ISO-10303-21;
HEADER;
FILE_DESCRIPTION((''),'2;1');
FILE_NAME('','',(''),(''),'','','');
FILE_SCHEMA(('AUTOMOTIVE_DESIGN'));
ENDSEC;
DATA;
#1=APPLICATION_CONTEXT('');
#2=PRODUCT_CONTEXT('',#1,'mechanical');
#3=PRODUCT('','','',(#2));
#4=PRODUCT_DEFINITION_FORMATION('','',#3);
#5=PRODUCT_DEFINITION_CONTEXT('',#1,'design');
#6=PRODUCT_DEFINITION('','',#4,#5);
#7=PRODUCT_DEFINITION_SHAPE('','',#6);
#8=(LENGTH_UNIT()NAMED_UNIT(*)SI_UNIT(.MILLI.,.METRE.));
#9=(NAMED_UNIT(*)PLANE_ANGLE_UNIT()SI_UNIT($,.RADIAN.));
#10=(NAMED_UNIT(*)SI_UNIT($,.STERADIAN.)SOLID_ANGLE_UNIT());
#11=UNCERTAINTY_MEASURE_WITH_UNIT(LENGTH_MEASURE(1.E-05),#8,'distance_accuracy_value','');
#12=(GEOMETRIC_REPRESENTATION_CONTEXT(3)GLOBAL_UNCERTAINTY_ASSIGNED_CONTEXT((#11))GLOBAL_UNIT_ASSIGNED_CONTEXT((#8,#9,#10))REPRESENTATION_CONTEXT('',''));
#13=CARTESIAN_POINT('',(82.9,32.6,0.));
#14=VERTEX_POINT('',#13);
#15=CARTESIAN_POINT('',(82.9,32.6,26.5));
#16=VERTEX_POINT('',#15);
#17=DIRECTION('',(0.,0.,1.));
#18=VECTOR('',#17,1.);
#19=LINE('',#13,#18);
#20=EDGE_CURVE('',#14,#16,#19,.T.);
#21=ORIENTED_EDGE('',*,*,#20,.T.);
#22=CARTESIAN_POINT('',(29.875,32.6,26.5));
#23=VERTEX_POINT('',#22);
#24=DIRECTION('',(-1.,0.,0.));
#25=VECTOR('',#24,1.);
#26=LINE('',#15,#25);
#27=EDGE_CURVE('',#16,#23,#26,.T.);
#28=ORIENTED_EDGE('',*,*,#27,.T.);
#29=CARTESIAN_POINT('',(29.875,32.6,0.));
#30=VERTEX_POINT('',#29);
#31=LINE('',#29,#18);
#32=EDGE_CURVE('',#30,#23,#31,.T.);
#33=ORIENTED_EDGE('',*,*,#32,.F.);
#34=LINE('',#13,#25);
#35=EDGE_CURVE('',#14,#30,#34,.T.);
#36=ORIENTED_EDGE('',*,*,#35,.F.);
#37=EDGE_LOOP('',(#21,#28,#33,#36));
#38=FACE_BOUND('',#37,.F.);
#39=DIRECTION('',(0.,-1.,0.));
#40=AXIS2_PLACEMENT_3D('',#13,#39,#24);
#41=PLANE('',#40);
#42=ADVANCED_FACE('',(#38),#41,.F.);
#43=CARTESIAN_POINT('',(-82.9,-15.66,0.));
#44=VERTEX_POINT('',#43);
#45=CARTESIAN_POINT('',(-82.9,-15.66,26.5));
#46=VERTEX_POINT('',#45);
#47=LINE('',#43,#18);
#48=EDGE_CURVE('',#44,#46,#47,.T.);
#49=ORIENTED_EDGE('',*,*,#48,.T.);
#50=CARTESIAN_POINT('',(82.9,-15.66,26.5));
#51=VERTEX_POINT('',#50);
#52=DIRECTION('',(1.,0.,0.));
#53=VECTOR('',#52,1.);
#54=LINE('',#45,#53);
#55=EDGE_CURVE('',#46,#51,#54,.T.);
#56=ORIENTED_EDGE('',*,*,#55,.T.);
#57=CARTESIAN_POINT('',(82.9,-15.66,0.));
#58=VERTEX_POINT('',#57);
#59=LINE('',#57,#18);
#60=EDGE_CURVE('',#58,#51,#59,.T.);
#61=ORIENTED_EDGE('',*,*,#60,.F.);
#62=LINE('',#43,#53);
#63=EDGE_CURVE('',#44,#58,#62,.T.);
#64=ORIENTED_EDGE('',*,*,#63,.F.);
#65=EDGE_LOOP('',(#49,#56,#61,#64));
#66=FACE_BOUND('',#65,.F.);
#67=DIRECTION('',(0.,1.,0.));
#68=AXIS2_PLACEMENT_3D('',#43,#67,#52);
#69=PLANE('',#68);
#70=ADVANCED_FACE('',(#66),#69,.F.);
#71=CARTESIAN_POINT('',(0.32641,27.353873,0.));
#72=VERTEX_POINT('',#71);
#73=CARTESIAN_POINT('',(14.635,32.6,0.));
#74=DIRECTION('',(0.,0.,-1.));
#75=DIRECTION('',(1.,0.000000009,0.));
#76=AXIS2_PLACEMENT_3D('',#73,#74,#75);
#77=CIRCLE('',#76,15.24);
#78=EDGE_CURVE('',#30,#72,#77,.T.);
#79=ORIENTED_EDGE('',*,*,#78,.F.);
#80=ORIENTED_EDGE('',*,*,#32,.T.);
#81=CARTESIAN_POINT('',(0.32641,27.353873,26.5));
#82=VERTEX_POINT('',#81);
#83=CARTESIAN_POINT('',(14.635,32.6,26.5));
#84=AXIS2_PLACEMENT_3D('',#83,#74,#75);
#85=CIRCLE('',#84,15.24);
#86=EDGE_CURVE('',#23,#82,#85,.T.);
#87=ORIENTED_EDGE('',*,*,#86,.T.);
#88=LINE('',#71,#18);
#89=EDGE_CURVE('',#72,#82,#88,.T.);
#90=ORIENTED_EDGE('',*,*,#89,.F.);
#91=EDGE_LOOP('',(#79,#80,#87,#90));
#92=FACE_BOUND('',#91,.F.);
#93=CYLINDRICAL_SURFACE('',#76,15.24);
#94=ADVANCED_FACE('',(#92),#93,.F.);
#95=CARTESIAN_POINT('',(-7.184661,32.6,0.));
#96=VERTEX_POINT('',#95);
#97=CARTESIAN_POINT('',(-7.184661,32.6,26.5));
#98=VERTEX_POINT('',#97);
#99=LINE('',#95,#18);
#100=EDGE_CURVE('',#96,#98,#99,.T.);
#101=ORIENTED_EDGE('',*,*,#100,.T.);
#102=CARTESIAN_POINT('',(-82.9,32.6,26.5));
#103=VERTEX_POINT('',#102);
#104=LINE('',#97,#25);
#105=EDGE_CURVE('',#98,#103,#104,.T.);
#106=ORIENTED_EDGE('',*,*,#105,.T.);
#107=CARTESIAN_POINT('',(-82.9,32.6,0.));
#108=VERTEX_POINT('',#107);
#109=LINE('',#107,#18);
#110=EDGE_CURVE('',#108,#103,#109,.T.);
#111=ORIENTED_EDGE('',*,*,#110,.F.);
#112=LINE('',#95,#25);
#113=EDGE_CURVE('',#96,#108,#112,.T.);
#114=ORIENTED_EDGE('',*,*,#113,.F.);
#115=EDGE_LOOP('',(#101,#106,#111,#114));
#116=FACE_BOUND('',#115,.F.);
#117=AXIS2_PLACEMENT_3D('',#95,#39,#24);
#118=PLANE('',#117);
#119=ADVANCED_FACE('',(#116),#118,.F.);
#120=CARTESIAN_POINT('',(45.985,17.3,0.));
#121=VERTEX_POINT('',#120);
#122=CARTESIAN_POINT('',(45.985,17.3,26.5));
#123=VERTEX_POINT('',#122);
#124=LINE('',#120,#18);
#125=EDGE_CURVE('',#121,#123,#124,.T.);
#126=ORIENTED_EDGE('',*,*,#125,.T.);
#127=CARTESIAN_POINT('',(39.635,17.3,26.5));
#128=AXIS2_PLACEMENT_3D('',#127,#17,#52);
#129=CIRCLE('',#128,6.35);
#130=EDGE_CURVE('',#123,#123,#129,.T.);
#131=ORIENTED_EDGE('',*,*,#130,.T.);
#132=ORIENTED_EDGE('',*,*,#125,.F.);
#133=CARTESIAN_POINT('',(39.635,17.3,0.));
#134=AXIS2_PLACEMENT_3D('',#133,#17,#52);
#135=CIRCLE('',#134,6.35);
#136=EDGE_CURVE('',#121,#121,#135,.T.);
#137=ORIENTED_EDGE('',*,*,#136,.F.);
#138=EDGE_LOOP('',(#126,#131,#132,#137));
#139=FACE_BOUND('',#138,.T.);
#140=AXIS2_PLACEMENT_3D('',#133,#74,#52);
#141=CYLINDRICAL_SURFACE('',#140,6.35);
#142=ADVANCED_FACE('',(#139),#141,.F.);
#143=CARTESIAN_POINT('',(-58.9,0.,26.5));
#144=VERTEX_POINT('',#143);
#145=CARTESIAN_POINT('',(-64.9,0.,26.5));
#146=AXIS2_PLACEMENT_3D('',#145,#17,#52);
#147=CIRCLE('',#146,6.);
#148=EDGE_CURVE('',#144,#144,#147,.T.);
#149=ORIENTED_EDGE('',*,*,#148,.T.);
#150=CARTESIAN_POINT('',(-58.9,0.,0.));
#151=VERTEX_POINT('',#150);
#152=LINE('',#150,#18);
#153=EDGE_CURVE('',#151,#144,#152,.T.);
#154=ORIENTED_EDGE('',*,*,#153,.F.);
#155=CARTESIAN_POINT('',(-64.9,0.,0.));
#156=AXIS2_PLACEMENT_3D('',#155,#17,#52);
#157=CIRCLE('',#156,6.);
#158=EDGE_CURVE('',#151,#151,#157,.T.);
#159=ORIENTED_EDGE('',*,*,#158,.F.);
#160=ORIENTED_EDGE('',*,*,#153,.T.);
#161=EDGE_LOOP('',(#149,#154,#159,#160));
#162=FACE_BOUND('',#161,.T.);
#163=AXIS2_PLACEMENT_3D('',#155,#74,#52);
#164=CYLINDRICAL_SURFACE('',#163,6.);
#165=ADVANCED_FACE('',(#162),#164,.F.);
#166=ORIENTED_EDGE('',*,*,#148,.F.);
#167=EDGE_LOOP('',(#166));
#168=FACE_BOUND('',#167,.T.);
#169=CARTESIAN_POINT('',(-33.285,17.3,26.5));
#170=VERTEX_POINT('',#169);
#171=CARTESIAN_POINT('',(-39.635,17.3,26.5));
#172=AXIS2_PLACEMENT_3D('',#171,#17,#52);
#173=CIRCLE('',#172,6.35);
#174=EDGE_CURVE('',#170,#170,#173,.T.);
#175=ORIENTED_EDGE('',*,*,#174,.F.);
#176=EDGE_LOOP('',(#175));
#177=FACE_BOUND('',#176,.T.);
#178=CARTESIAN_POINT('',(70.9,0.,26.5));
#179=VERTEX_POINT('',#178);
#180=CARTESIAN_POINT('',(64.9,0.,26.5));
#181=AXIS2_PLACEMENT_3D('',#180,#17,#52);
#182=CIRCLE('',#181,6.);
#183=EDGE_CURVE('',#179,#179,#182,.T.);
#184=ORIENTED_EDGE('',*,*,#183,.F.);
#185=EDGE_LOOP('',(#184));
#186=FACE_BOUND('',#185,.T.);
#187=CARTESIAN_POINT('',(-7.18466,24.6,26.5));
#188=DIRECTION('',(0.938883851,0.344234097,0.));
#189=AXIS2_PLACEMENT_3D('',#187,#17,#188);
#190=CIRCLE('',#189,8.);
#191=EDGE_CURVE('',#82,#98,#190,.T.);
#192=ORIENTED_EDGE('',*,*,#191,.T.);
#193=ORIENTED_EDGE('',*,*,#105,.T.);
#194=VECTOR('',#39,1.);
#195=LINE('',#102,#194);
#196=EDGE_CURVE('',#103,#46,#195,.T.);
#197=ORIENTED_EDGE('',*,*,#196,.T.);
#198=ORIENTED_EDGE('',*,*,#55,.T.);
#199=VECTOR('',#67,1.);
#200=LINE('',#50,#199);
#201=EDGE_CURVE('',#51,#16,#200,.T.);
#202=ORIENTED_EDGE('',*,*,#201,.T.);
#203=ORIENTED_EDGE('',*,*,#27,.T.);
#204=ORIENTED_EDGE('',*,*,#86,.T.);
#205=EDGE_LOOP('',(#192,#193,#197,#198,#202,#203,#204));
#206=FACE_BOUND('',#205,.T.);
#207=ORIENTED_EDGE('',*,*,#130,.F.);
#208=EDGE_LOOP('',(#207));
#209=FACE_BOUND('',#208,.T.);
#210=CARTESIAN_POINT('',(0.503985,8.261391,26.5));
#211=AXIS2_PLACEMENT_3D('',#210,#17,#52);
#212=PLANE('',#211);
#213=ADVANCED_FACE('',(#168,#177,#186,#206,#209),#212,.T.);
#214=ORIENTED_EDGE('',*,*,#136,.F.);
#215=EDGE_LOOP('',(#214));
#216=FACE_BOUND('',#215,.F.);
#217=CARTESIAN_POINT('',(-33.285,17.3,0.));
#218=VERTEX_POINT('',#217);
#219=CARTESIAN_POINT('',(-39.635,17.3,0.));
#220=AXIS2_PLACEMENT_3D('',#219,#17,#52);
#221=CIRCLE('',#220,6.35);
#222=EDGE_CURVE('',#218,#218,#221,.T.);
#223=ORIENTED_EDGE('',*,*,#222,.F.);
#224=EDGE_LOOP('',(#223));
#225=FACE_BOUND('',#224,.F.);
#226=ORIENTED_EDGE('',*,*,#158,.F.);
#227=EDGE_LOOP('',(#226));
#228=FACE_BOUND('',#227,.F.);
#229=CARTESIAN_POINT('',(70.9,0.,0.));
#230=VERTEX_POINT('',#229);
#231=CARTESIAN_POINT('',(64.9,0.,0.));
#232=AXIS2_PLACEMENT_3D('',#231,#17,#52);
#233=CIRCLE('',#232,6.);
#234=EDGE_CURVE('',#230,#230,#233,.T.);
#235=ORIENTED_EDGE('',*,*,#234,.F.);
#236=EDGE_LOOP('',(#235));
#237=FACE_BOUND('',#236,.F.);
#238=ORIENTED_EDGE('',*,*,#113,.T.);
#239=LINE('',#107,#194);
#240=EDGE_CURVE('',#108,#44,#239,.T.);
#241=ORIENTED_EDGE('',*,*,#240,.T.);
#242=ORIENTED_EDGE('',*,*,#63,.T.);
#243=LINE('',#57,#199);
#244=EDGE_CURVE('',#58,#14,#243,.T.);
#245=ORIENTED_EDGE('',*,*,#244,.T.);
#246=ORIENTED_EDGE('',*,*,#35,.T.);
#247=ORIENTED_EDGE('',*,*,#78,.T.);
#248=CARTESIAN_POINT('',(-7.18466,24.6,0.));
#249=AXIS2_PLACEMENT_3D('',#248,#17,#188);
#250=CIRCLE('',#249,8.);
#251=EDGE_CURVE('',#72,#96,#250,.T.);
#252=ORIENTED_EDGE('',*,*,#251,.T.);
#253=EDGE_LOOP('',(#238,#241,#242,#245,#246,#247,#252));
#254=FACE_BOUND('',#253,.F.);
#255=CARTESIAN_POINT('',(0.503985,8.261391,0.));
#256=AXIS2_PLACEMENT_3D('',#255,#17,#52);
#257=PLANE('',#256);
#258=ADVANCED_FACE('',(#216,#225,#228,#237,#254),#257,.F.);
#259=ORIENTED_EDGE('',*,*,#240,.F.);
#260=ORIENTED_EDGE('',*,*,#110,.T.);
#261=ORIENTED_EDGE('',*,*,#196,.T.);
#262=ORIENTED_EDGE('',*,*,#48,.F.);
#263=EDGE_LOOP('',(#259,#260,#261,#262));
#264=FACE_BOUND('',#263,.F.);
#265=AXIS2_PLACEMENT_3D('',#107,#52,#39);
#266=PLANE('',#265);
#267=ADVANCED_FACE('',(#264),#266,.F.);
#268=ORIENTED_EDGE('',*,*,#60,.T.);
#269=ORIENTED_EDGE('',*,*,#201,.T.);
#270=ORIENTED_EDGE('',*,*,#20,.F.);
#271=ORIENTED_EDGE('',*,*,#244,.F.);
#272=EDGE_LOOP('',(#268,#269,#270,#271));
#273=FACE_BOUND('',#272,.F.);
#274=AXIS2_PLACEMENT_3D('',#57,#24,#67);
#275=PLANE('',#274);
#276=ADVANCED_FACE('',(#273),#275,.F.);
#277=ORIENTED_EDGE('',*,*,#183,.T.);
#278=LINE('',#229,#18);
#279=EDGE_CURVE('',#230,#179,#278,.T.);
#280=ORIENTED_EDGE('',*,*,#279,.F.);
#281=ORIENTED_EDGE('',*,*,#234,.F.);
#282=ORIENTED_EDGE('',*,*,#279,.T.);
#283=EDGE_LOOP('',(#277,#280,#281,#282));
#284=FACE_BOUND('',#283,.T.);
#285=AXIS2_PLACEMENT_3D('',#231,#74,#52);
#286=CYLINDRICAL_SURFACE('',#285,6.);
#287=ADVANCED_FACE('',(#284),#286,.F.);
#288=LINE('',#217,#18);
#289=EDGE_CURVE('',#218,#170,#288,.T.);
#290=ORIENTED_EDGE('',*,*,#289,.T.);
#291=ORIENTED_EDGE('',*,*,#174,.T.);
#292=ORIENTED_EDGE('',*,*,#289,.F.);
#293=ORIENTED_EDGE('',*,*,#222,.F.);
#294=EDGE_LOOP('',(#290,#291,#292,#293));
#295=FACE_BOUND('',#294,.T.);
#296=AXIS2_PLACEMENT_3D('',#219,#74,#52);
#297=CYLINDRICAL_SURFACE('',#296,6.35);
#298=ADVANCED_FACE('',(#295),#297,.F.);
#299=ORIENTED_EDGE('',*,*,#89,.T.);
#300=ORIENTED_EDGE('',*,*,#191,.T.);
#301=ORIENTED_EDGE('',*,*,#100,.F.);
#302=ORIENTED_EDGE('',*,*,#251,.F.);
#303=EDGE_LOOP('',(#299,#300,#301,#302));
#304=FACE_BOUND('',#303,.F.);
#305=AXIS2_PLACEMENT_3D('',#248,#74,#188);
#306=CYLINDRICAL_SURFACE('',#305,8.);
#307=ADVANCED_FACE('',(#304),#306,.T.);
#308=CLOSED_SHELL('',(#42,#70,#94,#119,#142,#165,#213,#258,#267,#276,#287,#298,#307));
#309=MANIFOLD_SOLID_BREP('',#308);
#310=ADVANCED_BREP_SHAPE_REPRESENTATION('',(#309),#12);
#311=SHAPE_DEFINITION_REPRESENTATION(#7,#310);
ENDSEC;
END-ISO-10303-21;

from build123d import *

# Parameters (mm, degrees)
F0_R     = 6
F0_R_2   = 6.35
F1_DEPTH = 26.5


with BuildPart() as f1:
    # F0 (on Top) → F1 (new body)
    with BuildSketch(Plane.XY):
        with BuildLine():
            Line((-7.184661, 32.6), (-82.9, 32.6))
            Line((-82.9, 32.6), (-82.9, -15.66))
            Line((-82.9, -15.66), (82.9, -15.66))
            Line((82.9, -15.66), (82.9, 32.6))
            Line((82.9, 32.6), (29.875, 32.6))
            ThreePointArc((29.875, 32.6), (17.299084, 17.594659), (0.32641, 27.353873))
            ThreePointArc((0.32641, 27.353873), (-2.603776, 31.15862), (-7.184661, 32.6))
        make_face()
        with Locations((-64.9, 0)):
            Circle(F0_R, mode=Mode.SUBTRACT)
        with Locations((64.9, 0)):
            Circle(F0_R, mode=Mode.SUBTRACT)
        with Locations((-39.635, 17.3)):
            Circle(F0_R_2, mode=Mode.SUBTRACT)
        with Locations((39.635, 17.3)):
            Circle(F0_R_2, mode=Mode.SUBTRACT)
    extrude(amount=F1_DEPTH)


solid = f1.part
